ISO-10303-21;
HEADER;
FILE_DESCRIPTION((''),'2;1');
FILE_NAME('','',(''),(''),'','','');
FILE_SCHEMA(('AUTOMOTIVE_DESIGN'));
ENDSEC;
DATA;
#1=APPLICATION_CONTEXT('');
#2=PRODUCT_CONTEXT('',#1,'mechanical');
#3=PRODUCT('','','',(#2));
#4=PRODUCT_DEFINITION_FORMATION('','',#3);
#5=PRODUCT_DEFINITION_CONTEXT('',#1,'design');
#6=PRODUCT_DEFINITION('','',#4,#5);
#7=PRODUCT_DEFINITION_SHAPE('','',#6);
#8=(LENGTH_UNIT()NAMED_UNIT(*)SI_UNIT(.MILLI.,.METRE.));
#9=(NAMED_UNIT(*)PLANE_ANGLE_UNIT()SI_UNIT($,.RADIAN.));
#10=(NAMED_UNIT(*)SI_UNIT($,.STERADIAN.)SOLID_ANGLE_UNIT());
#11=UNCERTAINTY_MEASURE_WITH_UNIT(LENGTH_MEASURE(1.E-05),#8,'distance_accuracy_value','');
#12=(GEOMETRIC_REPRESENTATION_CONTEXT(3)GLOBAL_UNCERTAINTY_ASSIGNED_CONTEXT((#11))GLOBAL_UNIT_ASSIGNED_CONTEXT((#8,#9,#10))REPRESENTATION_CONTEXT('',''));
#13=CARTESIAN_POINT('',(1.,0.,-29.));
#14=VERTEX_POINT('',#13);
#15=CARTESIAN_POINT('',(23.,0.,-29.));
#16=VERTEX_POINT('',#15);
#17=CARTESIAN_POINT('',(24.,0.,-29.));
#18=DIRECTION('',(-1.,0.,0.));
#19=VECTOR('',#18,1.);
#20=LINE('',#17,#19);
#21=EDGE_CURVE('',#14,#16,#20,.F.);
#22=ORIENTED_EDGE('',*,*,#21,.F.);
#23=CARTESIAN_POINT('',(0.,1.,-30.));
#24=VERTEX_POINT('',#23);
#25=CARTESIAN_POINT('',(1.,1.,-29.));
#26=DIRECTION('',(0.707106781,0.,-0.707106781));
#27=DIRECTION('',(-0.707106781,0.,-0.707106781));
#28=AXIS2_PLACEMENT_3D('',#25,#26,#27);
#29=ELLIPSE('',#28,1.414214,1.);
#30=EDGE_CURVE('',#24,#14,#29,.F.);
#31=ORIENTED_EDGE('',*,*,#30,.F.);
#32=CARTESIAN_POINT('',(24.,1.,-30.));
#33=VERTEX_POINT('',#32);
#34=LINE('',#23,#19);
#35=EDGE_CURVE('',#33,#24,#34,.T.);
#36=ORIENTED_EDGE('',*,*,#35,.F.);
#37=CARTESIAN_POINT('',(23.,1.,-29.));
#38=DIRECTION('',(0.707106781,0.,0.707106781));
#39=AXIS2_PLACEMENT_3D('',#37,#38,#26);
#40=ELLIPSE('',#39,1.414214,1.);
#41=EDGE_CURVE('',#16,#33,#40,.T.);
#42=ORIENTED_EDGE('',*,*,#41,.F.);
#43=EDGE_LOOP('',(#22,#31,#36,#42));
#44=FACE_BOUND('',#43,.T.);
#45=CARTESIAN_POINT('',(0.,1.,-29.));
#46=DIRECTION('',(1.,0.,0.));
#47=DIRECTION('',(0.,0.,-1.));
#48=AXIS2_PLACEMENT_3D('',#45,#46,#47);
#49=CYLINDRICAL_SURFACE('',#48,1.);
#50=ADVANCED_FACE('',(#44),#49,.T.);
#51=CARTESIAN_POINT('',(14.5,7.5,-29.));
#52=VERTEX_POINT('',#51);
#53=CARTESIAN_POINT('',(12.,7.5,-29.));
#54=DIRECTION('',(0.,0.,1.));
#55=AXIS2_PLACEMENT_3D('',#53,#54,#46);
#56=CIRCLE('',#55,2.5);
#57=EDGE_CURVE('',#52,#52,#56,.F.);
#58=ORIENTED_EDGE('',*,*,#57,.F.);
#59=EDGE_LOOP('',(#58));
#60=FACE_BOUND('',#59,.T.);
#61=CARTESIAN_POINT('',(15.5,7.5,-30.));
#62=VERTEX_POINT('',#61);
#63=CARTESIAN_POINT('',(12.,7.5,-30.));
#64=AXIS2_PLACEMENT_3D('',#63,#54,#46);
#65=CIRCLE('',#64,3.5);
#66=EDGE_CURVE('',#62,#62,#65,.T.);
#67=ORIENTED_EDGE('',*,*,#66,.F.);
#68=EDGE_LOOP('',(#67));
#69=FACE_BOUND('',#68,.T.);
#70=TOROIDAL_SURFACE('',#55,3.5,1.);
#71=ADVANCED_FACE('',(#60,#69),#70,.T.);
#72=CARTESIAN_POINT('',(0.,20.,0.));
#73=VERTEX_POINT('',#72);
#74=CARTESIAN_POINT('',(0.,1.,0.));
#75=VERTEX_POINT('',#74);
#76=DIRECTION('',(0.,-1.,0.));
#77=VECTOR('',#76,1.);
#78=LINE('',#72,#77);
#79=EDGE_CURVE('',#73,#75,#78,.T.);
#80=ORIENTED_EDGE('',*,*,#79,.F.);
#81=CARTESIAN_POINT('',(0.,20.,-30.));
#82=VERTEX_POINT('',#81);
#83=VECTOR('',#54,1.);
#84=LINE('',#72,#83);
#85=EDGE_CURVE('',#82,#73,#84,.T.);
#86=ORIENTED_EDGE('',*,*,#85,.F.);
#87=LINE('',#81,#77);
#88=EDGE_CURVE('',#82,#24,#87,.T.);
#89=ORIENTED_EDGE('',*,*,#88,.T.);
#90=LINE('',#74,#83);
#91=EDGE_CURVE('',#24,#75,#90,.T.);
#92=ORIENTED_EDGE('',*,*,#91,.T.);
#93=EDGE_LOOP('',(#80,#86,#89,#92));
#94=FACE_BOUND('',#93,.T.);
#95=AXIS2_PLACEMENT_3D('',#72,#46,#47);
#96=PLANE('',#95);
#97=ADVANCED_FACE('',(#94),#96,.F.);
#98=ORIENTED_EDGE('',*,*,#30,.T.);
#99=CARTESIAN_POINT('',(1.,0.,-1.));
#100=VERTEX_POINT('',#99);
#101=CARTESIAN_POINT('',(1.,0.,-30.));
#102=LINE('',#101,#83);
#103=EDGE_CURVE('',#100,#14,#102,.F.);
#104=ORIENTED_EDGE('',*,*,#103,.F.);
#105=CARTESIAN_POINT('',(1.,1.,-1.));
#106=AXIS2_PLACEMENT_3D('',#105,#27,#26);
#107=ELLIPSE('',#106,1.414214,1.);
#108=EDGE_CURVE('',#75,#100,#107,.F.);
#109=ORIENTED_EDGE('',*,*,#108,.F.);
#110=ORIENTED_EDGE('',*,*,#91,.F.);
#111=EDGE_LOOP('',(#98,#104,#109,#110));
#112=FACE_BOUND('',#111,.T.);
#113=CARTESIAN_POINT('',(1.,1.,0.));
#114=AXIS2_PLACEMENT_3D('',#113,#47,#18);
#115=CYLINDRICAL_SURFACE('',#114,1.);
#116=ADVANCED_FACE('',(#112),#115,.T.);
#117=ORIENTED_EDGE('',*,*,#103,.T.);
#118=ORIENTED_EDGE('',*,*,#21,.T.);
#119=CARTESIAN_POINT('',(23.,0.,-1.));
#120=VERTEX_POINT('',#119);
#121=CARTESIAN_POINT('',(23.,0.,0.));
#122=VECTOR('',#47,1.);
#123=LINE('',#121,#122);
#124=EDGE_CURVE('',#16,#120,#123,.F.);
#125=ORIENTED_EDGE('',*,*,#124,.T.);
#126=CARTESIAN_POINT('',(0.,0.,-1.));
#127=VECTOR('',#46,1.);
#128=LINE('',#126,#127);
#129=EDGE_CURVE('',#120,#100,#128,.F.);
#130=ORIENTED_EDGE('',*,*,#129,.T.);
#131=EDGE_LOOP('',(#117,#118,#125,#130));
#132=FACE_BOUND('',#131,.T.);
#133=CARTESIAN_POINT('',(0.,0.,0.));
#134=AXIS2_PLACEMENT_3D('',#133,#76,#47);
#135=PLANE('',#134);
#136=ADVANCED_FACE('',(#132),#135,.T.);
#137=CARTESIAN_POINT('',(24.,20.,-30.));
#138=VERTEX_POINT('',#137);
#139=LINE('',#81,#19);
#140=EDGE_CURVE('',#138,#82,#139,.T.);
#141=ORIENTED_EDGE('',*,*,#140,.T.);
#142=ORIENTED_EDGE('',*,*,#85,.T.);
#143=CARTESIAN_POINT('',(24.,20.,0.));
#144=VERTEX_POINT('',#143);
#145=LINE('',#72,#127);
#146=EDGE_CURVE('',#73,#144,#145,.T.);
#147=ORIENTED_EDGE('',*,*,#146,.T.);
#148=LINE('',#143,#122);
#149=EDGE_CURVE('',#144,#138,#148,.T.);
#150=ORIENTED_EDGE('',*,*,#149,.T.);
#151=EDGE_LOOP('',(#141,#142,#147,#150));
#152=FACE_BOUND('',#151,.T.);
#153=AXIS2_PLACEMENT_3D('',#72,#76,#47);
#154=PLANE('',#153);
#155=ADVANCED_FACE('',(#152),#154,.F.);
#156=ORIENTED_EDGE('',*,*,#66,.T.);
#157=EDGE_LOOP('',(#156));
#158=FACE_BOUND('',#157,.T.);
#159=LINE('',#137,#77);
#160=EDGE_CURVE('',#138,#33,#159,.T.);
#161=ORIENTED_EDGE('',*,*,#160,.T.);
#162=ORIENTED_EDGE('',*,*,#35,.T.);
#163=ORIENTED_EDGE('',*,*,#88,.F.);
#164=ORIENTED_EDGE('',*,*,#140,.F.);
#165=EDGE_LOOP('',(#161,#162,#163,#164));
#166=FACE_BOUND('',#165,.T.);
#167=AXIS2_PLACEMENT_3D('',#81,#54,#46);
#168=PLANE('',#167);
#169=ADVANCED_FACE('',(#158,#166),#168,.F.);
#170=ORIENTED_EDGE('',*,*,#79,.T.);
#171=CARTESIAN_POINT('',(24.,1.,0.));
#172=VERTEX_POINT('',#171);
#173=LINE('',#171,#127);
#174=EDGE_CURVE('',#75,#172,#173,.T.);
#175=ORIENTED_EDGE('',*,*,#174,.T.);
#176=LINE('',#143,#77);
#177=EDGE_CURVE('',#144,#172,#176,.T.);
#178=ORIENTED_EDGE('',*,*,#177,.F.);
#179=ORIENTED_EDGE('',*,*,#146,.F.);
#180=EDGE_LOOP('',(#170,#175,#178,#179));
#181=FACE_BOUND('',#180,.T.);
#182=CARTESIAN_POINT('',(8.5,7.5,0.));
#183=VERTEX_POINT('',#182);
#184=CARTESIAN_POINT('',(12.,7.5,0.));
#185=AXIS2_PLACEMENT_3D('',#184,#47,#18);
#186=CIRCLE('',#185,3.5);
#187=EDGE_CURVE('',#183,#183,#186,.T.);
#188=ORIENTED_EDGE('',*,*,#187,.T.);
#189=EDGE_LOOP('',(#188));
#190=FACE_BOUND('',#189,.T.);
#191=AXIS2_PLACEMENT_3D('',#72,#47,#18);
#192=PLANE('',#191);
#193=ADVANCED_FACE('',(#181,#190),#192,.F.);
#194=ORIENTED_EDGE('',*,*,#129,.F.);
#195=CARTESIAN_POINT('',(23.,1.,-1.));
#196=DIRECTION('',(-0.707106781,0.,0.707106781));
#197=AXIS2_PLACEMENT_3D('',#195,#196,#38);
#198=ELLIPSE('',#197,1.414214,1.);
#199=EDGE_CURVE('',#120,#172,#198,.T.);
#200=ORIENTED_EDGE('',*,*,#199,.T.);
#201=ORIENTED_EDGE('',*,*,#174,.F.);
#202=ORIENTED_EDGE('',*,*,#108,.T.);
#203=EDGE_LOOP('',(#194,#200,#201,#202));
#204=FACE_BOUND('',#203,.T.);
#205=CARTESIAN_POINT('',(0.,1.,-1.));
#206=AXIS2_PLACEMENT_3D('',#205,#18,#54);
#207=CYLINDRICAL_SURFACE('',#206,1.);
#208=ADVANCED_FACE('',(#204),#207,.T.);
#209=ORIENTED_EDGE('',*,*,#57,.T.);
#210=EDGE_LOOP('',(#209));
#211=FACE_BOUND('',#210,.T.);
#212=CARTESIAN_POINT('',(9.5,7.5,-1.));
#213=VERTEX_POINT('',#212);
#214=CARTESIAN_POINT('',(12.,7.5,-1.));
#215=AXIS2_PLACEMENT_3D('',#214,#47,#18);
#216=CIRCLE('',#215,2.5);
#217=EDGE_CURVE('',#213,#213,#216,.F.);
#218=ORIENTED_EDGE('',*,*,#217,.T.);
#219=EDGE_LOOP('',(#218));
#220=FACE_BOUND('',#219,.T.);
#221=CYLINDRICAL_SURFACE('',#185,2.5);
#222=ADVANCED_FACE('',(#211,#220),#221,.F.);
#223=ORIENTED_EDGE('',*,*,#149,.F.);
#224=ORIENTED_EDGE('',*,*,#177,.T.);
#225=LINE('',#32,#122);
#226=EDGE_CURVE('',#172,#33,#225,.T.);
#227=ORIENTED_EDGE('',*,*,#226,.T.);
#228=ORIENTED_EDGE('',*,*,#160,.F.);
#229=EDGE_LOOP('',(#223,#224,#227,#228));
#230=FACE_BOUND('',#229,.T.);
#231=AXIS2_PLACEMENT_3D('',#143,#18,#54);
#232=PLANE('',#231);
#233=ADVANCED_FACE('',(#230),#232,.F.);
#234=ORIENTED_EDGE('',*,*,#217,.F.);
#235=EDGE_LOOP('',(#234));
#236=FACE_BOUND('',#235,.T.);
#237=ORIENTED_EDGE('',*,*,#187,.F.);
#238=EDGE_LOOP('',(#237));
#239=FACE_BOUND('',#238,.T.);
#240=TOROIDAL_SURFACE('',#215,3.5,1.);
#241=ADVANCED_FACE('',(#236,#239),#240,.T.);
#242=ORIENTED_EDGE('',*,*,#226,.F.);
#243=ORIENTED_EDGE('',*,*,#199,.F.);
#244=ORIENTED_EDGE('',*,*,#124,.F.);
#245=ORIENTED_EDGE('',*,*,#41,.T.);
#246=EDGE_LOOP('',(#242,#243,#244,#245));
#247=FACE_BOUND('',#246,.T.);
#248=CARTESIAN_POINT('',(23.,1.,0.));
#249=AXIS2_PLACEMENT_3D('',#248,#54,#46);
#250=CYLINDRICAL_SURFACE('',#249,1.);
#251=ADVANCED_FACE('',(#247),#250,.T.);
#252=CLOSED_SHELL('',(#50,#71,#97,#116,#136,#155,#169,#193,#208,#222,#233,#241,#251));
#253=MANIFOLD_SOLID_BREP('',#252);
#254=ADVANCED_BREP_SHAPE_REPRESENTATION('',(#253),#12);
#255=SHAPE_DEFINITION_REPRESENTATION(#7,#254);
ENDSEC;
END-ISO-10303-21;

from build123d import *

# Parameters (mm, degrees)
SKETCH1_W               = 24
SKETCH1_H               = 30
BOSS_EXTRUDE1_DEPTH     = 20
CUT_EXTRUDE1_DEPTH      = 44.312815655
CUT_EXTRUDE1_DEPTH_BACK = 44.312815655
SKETCH2_R               = 2.5
FILLET1_R               = 1


with BuildPart() as part:
    # Sketch1 → Boss-Extrude1 (new body)
    with BuildSketch(Plane(origin=(0, 0, 0), x_dir=(1, 0, 0), z_dir=(0, 1, 0))):
        with Locations((12, 15)):
            Rectangle(SKETCH1_W, SKETCH1_H)
    extrude(amount=BOSS_EXTRUDE1_DEPTH)

    # Sketch2 → Cut-Extrude1 (cut, two sides: drawn at the far end of the back side and taken through both)
    with BuildSketch(Plane(origin=(0, 0, -30), x_dir=(-1, 0, 0), z_dir=(0, 0, -1)).offset(-CUT_EXTRUDE1_DEPTH_BACK)):
        with Locations((-12, 7.5)):
            Circle(SKETCH2_R)
    extrude(amount=CUT_EXTRUDE1_DEPTH + CUT_EXTRUDE1_DEPTH_BACK, mode=Mode.SUBTRACT)

    # Fillet1
    fillet1_edges = [part.edges().sort_by_distance(p)[0] for p in [
        (14.5, 7.5, 0),
        (14.5, 7.5, -30),
        (12, 0, -30),
        (24, 0, -15),
        (12, 0, 0),
        (0, 0, -15),
    ]]
    fillet(fillet1_edges, radius=FILLET1_R)


solid = part.part
